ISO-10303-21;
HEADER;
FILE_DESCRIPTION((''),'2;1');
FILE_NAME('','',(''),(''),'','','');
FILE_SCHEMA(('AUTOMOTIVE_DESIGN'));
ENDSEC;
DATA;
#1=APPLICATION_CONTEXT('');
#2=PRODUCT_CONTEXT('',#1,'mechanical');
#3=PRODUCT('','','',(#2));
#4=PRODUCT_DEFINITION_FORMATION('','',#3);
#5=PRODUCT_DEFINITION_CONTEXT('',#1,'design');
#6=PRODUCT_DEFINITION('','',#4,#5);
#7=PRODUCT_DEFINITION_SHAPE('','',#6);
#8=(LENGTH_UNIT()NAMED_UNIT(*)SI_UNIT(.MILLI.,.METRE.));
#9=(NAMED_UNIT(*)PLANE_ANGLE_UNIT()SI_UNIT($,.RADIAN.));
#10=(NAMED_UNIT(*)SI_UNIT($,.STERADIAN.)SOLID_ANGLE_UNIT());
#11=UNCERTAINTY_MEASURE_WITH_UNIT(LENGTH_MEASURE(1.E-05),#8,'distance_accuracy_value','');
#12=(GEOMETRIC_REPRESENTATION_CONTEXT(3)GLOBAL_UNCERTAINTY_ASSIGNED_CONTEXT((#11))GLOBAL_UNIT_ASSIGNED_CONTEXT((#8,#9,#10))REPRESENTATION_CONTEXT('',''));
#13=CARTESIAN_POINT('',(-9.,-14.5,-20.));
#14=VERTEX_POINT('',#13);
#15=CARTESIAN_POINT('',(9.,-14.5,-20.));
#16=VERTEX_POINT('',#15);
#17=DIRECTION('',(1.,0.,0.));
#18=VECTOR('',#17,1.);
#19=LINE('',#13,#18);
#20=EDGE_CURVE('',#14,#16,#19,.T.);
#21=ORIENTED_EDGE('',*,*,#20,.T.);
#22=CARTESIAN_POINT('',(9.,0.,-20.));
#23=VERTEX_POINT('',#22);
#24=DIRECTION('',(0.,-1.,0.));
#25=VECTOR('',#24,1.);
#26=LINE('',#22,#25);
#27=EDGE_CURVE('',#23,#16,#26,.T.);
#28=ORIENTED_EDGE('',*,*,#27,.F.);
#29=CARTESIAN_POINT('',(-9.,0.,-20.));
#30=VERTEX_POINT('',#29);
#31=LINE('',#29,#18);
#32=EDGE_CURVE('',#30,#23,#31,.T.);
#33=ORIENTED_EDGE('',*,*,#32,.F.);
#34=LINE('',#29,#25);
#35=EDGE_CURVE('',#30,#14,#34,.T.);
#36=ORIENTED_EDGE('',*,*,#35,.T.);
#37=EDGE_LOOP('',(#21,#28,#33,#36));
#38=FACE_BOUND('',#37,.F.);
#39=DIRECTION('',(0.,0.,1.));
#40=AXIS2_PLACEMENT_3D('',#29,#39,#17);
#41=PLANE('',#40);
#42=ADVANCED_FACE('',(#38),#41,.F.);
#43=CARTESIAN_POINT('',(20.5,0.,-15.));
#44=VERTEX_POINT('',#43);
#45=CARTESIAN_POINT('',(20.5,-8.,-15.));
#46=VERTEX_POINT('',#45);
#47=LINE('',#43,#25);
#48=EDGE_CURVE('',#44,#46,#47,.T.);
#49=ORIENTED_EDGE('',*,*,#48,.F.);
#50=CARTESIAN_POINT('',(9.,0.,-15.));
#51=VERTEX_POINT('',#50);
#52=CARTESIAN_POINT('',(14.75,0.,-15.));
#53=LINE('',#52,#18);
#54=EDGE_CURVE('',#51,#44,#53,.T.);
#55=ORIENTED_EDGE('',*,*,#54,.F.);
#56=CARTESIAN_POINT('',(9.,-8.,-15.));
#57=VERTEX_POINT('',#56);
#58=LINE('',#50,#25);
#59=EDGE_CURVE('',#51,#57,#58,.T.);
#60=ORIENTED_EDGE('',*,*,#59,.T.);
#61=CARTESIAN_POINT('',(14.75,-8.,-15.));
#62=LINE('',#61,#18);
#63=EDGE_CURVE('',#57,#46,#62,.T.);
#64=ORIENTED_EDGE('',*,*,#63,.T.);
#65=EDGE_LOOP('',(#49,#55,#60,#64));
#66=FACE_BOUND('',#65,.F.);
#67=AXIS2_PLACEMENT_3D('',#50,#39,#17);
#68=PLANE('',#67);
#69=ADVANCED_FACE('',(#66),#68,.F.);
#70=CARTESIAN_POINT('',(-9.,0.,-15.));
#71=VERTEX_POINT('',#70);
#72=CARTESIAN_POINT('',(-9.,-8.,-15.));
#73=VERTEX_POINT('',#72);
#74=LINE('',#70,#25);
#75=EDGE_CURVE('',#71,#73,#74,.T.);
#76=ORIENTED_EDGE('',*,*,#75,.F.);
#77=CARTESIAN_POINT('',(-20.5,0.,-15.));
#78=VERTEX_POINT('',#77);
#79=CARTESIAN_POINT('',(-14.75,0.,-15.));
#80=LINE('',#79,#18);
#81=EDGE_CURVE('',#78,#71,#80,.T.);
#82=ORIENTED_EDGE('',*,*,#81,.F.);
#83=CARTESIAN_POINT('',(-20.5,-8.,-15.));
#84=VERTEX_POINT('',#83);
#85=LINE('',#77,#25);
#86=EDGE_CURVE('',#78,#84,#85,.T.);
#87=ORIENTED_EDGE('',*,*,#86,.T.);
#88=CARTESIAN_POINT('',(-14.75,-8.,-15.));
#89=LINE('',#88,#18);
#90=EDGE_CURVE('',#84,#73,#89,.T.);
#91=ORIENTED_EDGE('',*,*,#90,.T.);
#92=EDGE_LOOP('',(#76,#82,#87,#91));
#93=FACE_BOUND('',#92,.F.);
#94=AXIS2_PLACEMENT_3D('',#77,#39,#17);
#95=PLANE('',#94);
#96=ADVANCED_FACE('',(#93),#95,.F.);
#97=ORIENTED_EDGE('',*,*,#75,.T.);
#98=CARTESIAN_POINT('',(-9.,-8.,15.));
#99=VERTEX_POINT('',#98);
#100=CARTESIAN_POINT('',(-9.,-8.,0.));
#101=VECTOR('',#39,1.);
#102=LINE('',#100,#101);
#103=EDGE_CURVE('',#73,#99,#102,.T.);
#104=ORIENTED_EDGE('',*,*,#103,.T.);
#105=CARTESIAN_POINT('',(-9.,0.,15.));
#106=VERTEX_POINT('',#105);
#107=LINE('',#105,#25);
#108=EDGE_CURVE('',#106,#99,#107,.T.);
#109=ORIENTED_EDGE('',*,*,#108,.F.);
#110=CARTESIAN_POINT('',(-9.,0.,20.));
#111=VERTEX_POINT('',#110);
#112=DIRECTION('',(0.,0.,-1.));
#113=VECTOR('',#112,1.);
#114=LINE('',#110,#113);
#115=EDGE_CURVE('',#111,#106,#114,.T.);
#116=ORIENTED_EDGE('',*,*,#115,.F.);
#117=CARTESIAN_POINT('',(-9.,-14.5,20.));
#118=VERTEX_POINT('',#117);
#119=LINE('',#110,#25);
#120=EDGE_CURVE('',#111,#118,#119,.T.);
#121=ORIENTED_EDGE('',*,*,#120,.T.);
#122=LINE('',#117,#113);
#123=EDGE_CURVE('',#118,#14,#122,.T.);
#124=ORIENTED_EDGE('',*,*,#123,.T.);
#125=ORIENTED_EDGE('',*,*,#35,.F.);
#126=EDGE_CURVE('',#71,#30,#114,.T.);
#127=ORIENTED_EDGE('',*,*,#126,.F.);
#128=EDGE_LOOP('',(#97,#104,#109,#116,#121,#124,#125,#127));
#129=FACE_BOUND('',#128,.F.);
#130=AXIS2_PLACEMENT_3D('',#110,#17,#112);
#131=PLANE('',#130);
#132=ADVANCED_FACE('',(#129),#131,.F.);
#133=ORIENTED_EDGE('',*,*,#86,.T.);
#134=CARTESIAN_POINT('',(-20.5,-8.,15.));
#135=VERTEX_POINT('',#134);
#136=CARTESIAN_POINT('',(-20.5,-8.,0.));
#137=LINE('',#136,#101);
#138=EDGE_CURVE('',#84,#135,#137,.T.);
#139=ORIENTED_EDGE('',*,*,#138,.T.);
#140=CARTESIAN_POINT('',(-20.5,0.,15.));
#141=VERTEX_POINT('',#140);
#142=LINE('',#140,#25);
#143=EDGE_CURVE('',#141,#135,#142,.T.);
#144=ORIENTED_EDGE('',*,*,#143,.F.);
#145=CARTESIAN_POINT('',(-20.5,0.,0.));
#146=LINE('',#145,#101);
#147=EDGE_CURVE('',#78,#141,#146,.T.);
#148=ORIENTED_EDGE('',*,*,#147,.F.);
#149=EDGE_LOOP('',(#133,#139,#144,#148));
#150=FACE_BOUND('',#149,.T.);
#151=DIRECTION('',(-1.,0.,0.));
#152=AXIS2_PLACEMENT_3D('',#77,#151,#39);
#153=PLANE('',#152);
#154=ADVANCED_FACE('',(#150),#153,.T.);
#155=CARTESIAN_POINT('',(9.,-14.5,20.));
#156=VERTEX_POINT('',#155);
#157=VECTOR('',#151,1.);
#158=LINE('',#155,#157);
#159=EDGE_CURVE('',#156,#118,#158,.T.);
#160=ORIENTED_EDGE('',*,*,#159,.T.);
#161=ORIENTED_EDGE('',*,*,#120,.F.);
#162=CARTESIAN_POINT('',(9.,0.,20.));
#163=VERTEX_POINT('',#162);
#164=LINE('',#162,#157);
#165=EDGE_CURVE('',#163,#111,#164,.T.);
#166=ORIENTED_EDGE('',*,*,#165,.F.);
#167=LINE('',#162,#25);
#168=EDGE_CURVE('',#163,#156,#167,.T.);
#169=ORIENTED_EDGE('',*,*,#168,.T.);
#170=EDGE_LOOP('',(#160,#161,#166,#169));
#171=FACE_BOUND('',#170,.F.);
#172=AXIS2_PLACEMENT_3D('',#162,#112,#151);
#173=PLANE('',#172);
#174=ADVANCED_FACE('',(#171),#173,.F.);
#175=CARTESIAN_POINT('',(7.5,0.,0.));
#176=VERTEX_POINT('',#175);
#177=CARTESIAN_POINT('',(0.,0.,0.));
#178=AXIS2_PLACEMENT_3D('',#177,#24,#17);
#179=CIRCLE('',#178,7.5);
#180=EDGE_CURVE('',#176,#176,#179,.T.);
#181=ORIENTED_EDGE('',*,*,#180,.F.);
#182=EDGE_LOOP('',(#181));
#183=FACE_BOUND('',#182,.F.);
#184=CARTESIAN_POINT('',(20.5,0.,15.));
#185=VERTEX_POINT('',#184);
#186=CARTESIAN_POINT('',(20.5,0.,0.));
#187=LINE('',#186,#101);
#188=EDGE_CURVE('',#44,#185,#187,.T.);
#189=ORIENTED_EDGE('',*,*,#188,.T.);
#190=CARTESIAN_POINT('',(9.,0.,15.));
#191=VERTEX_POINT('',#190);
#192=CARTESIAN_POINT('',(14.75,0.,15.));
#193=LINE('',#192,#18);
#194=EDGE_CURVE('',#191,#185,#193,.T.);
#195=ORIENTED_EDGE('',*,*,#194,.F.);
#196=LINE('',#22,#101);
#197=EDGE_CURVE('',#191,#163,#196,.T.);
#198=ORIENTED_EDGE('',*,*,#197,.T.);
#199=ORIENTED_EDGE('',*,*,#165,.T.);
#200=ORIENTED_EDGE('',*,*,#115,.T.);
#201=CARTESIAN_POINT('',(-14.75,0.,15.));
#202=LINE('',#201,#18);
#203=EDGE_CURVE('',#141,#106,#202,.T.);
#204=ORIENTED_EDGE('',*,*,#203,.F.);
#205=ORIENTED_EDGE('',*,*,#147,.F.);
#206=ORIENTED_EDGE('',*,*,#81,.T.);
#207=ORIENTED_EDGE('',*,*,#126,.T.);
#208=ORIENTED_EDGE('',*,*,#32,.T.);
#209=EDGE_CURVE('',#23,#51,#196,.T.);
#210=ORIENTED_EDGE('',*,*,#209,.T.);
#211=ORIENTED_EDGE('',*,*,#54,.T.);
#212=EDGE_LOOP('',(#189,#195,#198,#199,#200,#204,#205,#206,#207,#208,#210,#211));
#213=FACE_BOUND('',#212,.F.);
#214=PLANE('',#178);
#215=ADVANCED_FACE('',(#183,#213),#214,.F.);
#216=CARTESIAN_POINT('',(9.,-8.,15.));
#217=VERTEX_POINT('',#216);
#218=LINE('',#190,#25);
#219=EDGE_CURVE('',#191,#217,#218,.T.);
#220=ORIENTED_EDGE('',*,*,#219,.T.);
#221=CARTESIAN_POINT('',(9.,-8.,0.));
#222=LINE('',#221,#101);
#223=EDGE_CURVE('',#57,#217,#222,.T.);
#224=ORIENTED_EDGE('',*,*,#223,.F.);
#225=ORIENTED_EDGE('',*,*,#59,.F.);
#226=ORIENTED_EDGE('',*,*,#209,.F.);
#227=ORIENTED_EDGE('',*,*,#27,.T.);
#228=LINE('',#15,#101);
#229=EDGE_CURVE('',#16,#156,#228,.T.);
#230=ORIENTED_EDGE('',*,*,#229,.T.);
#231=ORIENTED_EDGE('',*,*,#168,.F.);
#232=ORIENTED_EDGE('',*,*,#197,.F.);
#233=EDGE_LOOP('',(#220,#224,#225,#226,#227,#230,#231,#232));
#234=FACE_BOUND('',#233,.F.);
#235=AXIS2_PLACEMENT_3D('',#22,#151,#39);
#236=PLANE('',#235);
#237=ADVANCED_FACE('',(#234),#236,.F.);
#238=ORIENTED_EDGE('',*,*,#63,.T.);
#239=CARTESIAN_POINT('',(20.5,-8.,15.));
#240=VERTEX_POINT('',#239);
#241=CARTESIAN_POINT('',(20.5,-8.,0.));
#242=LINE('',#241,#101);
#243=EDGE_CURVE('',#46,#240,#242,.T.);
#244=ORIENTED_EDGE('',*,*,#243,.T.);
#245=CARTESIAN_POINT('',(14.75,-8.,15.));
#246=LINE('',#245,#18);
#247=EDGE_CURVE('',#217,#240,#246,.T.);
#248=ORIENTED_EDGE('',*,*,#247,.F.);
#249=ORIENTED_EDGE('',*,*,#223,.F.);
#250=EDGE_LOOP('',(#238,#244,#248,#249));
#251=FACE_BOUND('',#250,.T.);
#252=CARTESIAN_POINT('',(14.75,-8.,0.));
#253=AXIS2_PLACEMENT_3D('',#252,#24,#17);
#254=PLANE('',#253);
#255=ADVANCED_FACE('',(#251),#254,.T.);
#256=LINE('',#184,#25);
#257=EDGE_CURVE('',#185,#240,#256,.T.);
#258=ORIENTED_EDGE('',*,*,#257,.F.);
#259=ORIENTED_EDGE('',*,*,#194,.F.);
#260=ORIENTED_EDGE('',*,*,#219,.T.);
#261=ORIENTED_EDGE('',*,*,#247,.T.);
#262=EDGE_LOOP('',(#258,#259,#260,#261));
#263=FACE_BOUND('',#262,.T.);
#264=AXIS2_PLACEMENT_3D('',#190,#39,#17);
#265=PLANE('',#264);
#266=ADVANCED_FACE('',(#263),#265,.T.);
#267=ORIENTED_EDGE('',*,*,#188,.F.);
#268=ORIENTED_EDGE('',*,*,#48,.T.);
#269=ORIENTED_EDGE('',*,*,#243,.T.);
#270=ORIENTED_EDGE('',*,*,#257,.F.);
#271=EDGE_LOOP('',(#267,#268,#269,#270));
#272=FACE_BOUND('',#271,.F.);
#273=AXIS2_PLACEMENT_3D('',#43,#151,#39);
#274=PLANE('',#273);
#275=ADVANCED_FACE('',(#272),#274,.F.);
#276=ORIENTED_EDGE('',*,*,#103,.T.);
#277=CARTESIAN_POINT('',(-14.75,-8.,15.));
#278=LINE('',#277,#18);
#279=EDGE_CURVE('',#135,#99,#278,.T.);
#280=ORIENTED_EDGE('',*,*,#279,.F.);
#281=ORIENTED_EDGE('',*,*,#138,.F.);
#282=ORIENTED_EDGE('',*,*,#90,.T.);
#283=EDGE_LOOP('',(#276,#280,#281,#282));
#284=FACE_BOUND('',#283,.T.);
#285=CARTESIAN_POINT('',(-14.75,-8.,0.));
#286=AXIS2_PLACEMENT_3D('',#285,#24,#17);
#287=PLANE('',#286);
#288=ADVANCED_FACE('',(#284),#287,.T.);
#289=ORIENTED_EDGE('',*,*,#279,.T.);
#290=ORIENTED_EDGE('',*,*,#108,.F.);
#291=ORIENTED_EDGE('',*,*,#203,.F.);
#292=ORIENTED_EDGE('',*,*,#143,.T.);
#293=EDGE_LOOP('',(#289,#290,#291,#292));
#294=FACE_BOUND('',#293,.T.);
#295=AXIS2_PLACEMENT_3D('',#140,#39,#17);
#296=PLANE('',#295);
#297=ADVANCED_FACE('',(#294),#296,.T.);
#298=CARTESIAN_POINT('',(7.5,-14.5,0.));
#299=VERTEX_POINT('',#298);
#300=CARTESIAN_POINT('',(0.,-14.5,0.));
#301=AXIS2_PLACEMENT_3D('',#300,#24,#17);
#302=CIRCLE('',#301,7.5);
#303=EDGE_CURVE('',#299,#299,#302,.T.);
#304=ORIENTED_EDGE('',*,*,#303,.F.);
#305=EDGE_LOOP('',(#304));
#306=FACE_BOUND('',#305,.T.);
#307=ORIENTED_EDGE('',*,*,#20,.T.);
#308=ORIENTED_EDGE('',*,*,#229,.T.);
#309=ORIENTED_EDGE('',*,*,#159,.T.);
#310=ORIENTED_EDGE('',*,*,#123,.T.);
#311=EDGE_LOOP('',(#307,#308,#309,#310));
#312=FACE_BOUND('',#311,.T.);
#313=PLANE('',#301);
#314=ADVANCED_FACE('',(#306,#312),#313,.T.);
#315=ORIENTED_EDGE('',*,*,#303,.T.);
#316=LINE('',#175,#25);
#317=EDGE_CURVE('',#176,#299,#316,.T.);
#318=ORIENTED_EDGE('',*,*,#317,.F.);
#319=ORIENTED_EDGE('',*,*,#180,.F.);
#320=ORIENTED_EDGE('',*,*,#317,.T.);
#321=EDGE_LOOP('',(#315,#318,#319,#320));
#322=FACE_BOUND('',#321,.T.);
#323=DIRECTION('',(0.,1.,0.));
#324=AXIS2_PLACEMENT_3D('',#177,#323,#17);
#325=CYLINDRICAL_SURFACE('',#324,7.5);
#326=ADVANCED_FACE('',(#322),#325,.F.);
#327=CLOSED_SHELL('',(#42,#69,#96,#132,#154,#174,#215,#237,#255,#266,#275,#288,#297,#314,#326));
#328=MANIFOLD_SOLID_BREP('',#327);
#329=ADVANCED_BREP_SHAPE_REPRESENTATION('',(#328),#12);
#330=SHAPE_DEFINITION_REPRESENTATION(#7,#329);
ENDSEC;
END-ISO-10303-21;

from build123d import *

# Parameters (mm, degrees)
F0_R     = 7.5
F1_DEPTH = 14.5
F0_W     = 11.5
F0_H     = 30
F2_DEPTH = 8


with BuildPart() as f1:
    # F0 (on Front) → F1 (new body)
    with BuildSketch(Plane.XZ):
        Polygon((9, -15), (9, 15), (9, 20), (-9, 20), (-9, 15), (-9, -15), (-9, -20), (9, -20), align=None)
        Circle(F0_R, mode=Mode.SUBTRACT)
    extrude(amount=F1_DEPTH)

    # F0 (on Front) → F2 (join)
    with BuildSketch(Plane.XZ):
        with Locations((-14.75, 0)):
            Rectangle(F0_W, F0_H)
        with Locations((14.75, 0)):
            Rectangle(F0_W, F0_H)
    extrude(amount=F2_DEPTH)


solid = f1.part
